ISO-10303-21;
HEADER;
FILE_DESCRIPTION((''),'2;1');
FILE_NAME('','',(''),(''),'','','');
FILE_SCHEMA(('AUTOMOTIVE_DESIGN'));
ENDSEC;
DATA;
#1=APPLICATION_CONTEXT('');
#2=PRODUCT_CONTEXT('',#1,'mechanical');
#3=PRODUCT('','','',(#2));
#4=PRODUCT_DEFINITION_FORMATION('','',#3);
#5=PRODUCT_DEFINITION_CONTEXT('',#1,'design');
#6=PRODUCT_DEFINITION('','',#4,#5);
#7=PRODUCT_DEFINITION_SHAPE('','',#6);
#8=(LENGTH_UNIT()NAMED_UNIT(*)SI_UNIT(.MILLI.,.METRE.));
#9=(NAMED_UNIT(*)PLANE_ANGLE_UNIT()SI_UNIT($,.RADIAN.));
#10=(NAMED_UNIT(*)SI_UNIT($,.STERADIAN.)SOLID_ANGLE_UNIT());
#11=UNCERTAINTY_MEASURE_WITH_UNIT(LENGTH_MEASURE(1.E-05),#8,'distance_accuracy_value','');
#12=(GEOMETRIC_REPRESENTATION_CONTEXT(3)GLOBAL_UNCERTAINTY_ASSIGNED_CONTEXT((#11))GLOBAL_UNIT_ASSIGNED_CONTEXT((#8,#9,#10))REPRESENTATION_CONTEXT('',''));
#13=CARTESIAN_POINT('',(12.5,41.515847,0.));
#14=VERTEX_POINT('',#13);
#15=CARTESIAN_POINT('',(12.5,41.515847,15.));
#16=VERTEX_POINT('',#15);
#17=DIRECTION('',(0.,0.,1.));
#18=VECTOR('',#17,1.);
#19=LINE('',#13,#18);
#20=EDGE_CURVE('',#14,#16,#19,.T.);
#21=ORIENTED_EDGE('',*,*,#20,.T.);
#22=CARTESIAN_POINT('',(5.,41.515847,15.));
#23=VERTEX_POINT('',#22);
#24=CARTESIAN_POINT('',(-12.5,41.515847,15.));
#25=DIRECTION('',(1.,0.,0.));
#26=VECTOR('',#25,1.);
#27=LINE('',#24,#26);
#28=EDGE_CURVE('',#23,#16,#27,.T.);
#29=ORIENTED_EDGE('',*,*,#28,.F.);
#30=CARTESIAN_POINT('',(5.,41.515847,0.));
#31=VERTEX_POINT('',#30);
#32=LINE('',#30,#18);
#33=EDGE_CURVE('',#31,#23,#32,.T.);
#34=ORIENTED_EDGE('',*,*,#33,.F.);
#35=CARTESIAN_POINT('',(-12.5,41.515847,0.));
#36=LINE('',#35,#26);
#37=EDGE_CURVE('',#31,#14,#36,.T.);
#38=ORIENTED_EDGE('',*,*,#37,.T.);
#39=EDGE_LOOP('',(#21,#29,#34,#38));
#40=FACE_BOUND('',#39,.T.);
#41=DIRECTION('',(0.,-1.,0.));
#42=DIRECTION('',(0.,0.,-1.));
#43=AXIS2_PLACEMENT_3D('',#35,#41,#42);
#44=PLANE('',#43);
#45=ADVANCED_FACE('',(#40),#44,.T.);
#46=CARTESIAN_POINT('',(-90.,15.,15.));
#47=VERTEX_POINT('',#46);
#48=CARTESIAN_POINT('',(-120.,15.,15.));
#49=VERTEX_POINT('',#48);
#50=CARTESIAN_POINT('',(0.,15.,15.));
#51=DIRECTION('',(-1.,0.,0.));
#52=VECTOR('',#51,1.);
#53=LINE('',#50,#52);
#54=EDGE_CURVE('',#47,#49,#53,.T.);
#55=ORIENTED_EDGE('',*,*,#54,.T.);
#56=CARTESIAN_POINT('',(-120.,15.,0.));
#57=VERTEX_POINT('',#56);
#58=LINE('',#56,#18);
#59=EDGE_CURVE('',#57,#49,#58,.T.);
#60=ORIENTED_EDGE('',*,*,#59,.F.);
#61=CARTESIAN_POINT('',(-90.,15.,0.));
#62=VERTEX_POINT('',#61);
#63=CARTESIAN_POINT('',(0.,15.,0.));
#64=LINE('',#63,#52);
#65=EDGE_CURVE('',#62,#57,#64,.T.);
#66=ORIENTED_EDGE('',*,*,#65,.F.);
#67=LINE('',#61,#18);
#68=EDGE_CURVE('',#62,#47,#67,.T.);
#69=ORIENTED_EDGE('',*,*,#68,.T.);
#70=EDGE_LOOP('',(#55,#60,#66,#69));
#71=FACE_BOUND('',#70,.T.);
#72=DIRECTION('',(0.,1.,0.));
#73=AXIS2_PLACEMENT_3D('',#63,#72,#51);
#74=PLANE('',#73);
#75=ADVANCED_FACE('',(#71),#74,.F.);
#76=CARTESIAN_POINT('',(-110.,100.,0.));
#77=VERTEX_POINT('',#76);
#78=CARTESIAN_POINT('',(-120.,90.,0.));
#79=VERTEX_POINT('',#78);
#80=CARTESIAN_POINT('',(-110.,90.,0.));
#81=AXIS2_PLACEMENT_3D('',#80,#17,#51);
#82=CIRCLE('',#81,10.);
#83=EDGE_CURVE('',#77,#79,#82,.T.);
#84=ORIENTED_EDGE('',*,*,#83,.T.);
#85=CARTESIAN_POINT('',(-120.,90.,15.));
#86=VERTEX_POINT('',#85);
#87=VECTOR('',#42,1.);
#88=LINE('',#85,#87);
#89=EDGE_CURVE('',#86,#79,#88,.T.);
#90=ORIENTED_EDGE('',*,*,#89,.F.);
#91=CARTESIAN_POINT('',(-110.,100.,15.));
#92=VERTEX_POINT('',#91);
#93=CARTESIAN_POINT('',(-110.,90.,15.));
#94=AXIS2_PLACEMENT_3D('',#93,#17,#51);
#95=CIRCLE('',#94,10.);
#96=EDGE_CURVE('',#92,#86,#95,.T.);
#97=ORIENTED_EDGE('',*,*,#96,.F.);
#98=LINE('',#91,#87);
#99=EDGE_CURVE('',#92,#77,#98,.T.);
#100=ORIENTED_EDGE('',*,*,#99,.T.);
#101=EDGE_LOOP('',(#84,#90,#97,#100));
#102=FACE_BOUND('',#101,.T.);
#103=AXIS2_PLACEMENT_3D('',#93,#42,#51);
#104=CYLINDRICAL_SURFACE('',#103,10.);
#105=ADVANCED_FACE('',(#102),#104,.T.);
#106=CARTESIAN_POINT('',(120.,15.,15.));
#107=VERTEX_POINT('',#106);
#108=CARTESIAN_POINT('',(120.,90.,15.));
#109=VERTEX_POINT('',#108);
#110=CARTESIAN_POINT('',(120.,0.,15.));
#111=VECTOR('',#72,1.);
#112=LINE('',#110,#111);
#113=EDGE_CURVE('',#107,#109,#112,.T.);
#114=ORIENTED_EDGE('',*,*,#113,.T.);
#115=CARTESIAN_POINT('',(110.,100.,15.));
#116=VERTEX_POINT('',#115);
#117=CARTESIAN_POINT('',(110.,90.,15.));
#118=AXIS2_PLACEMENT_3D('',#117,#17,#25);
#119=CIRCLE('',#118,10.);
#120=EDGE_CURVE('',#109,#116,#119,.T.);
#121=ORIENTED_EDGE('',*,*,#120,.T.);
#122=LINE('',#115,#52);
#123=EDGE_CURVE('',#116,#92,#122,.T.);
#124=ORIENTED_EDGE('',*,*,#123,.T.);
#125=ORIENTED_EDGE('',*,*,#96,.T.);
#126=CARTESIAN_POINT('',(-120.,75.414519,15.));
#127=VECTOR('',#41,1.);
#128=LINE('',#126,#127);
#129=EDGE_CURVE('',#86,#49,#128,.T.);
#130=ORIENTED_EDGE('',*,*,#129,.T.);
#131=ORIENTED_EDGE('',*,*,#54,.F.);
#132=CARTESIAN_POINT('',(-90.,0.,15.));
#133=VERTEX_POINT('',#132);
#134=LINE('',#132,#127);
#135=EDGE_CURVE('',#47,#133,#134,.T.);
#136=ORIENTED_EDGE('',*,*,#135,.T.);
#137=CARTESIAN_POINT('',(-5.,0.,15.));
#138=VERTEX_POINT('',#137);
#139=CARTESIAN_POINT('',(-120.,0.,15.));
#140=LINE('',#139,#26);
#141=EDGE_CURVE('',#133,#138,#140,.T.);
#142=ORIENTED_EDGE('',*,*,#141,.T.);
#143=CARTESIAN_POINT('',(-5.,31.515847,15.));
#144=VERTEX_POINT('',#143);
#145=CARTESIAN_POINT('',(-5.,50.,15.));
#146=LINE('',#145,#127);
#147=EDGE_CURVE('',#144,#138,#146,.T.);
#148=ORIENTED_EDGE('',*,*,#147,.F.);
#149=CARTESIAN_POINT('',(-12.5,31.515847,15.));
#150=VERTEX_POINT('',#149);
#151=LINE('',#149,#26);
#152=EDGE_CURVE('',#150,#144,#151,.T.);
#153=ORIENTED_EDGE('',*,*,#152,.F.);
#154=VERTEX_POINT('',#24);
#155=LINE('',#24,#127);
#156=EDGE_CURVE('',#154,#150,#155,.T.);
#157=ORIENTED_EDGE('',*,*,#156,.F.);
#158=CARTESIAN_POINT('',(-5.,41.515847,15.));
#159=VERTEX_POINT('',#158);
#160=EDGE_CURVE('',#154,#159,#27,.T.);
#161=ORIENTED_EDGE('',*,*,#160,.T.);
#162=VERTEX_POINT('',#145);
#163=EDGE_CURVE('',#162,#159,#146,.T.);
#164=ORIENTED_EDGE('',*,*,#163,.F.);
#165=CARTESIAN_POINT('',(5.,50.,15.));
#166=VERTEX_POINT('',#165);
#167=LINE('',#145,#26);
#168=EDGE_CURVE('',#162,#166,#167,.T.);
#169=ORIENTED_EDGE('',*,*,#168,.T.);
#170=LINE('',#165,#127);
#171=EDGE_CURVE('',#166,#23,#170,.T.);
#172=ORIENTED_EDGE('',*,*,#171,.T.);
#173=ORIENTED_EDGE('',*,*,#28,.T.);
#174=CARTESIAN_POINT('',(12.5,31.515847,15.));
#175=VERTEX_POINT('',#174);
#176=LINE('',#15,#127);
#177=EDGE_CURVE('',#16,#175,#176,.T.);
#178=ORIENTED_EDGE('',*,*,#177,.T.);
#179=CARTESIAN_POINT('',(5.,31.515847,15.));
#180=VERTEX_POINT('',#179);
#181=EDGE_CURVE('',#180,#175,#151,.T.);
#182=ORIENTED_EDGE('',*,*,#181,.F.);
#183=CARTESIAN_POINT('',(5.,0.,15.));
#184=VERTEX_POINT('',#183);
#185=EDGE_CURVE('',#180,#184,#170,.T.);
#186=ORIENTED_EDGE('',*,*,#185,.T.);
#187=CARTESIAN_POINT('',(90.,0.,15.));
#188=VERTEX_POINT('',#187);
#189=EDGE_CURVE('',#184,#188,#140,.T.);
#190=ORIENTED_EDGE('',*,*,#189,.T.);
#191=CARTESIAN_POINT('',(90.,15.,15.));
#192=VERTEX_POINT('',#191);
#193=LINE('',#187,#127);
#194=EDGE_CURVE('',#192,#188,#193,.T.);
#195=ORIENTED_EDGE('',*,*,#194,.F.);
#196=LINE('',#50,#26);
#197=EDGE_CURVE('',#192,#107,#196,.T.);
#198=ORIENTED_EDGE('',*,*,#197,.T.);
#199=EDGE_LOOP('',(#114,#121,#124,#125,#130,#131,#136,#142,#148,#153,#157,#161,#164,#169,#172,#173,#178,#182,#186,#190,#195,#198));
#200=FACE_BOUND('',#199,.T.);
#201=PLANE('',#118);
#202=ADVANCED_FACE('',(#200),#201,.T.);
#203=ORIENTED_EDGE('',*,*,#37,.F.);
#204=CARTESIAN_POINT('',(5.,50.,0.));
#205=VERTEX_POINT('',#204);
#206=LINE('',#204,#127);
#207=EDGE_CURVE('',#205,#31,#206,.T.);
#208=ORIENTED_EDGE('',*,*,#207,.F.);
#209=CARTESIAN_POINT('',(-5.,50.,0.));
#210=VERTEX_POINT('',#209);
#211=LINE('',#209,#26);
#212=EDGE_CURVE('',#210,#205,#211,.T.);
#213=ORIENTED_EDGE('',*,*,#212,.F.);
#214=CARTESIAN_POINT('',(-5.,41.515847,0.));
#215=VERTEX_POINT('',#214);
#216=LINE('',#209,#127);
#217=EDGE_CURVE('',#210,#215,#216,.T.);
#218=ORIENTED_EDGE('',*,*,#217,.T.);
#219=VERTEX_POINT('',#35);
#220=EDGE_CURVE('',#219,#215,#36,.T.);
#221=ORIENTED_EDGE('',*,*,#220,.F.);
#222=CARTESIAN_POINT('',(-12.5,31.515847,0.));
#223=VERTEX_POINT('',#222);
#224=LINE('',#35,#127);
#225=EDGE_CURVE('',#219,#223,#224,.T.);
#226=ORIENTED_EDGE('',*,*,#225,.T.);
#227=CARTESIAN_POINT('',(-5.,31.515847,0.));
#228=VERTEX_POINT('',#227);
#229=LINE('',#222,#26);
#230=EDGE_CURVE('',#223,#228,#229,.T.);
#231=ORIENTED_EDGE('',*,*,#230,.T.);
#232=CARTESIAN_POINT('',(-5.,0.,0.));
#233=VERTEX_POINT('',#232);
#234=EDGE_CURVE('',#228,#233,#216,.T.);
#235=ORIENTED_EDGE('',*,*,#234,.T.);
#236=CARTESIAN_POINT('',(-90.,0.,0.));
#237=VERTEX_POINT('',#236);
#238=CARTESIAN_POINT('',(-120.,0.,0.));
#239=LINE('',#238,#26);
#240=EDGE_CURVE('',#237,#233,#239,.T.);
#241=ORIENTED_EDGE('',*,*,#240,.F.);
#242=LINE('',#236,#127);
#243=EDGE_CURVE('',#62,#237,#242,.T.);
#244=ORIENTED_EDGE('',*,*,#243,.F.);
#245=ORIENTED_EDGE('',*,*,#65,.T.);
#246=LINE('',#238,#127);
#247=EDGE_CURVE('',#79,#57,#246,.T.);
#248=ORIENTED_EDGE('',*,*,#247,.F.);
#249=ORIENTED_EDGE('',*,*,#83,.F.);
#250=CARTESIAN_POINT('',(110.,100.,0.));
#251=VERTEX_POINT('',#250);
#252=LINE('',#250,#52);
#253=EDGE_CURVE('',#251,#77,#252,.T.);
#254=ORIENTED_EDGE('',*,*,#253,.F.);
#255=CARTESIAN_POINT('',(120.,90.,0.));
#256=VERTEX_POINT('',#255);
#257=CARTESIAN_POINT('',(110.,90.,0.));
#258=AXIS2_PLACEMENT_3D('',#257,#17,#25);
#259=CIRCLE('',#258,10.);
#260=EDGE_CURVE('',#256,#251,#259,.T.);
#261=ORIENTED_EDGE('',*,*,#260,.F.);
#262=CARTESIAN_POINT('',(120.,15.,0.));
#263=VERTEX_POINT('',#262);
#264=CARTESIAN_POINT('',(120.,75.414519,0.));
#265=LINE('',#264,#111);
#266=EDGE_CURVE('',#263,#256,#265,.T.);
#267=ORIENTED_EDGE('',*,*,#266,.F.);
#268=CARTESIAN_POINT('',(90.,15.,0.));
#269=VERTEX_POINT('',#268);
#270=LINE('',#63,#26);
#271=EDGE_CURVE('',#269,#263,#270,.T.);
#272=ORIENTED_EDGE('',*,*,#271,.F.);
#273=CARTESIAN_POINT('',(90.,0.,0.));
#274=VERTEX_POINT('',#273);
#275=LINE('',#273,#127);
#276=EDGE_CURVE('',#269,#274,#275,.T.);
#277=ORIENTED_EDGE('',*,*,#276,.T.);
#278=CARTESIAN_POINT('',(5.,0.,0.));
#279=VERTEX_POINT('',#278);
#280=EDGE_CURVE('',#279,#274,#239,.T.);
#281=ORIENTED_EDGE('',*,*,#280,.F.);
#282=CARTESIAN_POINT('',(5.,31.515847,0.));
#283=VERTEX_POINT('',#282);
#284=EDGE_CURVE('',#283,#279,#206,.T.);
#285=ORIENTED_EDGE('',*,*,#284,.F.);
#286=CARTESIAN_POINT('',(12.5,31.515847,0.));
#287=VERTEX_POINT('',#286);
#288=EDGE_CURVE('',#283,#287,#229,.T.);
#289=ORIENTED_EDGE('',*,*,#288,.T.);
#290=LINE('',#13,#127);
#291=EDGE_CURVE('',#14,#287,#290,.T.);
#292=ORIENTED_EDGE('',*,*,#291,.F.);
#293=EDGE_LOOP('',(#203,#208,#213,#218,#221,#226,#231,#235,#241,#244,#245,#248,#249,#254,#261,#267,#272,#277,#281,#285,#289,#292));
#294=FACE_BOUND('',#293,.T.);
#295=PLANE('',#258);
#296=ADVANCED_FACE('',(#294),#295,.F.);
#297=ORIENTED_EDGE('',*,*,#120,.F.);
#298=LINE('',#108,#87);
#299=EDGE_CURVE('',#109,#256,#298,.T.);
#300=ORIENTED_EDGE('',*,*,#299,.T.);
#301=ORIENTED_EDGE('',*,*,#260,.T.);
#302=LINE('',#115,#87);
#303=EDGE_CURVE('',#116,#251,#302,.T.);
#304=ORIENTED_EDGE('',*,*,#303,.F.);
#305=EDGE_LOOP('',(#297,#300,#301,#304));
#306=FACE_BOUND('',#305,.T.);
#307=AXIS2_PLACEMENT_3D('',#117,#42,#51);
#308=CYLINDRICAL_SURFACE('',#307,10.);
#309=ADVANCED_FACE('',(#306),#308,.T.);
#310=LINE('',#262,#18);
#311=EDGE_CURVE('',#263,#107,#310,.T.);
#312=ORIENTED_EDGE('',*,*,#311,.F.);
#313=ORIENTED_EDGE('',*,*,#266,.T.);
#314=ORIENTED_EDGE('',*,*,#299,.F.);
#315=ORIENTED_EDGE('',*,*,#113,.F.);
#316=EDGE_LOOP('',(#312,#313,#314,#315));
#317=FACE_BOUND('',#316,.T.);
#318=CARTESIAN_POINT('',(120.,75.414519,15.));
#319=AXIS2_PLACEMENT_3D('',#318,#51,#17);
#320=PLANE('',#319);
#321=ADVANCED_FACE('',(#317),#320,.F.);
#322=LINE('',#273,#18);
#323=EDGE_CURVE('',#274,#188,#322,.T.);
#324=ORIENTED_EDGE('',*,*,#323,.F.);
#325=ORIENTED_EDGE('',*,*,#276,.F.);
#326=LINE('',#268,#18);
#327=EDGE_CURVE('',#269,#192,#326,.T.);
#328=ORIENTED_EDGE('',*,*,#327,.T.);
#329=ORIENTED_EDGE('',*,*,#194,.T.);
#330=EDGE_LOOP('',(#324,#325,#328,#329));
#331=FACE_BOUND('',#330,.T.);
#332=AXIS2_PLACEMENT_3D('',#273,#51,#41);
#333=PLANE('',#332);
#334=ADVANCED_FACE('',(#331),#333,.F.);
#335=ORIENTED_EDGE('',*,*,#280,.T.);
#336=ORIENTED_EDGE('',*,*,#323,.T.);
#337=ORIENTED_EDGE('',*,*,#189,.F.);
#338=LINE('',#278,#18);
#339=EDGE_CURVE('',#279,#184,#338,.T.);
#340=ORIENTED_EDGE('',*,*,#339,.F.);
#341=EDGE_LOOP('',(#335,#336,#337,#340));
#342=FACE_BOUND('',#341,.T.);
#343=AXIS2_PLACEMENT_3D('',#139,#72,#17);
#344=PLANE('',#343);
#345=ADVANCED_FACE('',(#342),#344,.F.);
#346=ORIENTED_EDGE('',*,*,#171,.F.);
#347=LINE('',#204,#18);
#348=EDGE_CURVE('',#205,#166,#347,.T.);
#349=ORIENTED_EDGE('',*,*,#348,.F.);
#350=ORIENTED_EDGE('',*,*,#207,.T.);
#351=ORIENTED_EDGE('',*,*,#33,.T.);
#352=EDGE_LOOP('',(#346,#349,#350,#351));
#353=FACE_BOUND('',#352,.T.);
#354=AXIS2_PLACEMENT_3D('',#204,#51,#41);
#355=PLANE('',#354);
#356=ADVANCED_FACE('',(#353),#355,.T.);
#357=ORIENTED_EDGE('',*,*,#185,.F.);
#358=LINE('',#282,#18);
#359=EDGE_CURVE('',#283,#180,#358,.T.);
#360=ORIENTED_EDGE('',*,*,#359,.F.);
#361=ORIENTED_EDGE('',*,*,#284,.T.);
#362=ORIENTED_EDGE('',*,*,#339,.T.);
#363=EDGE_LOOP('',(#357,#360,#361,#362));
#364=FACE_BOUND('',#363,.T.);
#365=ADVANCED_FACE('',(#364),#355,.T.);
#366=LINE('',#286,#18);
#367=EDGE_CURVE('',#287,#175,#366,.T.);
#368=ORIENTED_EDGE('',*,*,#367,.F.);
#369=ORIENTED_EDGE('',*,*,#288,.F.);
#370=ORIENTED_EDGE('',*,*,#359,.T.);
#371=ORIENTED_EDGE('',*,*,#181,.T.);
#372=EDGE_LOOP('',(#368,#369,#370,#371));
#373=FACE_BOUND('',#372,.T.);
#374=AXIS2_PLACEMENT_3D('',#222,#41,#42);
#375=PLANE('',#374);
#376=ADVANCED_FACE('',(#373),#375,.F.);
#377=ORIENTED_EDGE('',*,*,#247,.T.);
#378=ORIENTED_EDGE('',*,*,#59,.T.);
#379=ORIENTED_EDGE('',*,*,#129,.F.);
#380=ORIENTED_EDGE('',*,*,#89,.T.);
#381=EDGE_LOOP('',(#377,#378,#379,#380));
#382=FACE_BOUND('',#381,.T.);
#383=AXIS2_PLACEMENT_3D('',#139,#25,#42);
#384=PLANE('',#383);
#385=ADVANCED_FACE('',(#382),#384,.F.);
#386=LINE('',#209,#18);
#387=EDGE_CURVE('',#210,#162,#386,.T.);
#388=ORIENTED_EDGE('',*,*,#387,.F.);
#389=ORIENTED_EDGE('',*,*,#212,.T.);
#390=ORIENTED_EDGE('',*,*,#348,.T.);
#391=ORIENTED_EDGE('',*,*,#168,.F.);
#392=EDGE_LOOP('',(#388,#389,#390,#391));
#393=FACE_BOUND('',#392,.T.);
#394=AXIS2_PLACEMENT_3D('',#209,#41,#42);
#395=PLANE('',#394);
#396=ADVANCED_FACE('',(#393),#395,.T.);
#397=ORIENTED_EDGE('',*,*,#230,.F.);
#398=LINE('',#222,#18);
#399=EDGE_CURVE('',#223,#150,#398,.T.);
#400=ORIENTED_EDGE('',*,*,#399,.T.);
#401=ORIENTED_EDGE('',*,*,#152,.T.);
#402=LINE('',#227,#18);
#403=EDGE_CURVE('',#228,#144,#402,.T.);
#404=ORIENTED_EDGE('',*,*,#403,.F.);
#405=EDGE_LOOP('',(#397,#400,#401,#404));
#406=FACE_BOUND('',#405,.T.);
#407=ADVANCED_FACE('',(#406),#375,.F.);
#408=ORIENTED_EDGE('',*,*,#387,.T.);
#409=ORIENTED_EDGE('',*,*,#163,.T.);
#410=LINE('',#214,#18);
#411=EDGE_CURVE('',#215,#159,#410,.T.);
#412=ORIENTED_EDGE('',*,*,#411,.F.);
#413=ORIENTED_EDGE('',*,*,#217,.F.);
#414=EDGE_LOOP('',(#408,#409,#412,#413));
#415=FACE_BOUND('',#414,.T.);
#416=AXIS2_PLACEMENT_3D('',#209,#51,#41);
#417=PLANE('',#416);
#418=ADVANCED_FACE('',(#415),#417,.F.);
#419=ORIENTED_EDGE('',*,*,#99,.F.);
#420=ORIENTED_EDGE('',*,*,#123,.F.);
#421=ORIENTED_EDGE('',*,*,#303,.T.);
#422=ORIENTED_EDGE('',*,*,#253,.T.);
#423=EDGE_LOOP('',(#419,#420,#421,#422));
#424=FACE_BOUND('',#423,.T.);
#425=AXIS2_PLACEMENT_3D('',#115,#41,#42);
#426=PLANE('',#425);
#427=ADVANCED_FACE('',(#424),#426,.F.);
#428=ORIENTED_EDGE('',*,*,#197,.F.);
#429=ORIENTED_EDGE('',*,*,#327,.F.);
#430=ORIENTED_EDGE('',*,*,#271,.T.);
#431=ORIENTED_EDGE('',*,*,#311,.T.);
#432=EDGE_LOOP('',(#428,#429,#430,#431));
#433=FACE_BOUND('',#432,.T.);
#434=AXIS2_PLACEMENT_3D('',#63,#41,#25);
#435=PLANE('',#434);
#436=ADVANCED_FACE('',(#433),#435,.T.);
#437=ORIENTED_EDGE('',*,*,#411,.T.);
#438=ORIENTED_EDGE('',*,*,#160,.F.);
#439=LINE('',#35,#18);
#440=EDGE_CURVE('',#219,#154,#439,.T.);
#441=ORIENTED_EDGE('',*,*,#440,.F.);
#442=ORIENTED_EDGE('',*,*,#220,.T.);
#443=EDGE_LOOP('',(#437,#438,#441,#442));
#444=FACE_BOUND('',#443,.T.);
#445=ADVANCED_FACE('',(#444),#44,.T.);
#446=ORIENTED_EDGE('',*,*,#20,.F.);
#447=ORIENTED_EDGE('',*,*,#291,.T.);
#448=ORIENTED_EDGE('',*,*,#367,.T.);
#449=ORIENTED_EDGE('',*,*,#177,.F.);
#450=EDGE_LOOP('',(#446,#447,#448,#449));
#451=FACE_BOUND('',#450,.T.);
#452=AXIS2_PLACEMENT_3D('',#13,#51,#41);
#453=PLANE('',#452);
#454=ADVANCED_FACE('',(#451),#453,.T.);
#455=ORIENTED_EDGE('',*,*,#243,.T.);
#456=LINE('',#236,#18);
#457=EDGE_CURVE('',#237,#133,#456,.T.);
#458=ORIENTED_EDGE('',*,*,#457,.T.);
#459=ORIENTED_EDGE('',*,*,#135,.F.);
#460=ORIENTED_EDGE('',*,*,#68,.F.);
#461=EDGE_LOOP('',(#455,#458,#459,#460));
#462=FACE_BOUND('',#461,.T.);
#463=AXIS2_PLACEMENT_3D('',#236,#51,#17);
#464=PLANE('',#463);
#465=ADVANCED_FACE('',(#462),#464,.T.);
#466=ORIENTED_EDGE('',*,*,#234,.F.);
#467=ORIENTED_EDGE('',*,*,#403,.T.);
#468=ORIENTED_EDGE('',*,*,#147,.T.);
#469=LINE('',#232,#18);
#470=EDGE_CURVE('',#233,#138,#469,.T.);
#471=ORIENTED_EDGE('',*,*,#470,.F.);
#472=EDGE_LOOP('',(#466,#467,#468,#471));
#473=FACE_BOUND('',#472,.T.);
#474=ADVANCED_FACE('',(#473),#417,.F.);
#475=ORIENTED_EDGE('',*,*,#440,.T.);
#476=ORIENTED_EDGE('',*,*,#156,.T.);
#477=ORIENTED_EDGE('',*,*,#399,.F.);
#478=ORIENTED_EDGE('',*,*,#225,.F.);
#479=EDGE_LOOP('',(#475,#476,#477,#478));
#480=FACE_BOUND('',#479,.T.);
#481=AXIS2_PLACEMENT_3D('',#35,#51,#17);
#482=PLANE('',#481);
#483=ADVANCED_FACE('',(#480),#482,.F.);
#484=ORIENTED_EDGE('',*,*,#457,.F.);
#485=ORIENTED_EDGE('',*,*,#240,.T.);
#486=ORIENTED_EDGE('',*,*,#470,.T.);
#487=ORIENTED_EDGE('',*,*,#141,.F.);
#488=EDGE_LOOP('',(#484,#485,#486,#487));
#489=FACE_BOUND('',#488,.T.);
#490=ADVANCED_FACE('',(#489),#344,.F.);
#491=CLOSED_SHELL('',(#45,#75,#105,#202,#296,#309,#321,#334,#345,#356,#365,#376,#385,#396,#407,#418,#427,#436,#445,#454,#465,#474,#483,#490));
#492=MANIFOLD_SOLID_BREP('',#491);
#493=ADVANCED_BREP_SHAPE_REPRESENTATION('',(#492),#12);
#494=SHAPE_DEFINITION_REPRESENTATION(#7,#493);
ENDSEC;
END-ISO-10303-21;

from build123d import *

# Parameters (mm, degrees)
BOSS_EXTRU_1_DEPTH      = 15
ESQUISSE3_W             = 30
ESQUISSE3_H             = 15
ENL_V_MAT_EXTRU_1_DEPTH = 15


with BuildPart() as part:
    # Esquisse2 → Boss.-Extru.1 (new body)
    with BuildSketch(Plane.XY):
        with BuildLine():
            Line((-120, 0), (120, 0))
            Line((120, 0), (120, 15))
            Line((120, 15), (120, 55.414518843))
            Line((120, 55.414518843), (120, 75.414518843))
            Line((120, 75.414518843), (120, 90))
            ThreePointArc((120, 90), (117.071067812, 97.071067812), (110, 100))
            Line((110, 100), (-110, 100))
            ThreePointArc((-110, 100), (-117.071067812, 97.071067812), (-120, 90))
            Line((-120, 90), (-120, 75.414518843))
            Line((-120, 75.414518843), (-120, 55.414518843))
            Line((-120, 55.414518843), (-120, 15))
            Line((-120, 15), (-120, 0))
        make_face()
    extrude(amount=BOSS_EXTRU_1_DEPTH)

    # Esquisse3 → Enlèv. mat.-Extru.1 (cut)
    with BuildSketch(Plane.XY.offset(15)):
        with Locations((-105, 7.5)):
            Rectangle(ESQUISSE3_W, ESQUISSE3_H)
        Polygon((-5, 31.515847226), (-5, 0), (5, 0), (5, 31.515847226), (12.5, 31.515847226), (12.5, 41.515847226), (5, 41.515847226), (5, 50), (-5, 50), (-5, 41.515847226), (-12.5, 41.515847226), (-12.5, 31.515847226), align=None)
        with Locations((105, 7.5)):
            Rectangle(ESQUISSE3_W, ESQUISSE3_H)
    extrude(amount=-ENL_V_MAT_EXTRU_1_DEPTH, mode=Mode.SUBTRACT)


solid = part.part
